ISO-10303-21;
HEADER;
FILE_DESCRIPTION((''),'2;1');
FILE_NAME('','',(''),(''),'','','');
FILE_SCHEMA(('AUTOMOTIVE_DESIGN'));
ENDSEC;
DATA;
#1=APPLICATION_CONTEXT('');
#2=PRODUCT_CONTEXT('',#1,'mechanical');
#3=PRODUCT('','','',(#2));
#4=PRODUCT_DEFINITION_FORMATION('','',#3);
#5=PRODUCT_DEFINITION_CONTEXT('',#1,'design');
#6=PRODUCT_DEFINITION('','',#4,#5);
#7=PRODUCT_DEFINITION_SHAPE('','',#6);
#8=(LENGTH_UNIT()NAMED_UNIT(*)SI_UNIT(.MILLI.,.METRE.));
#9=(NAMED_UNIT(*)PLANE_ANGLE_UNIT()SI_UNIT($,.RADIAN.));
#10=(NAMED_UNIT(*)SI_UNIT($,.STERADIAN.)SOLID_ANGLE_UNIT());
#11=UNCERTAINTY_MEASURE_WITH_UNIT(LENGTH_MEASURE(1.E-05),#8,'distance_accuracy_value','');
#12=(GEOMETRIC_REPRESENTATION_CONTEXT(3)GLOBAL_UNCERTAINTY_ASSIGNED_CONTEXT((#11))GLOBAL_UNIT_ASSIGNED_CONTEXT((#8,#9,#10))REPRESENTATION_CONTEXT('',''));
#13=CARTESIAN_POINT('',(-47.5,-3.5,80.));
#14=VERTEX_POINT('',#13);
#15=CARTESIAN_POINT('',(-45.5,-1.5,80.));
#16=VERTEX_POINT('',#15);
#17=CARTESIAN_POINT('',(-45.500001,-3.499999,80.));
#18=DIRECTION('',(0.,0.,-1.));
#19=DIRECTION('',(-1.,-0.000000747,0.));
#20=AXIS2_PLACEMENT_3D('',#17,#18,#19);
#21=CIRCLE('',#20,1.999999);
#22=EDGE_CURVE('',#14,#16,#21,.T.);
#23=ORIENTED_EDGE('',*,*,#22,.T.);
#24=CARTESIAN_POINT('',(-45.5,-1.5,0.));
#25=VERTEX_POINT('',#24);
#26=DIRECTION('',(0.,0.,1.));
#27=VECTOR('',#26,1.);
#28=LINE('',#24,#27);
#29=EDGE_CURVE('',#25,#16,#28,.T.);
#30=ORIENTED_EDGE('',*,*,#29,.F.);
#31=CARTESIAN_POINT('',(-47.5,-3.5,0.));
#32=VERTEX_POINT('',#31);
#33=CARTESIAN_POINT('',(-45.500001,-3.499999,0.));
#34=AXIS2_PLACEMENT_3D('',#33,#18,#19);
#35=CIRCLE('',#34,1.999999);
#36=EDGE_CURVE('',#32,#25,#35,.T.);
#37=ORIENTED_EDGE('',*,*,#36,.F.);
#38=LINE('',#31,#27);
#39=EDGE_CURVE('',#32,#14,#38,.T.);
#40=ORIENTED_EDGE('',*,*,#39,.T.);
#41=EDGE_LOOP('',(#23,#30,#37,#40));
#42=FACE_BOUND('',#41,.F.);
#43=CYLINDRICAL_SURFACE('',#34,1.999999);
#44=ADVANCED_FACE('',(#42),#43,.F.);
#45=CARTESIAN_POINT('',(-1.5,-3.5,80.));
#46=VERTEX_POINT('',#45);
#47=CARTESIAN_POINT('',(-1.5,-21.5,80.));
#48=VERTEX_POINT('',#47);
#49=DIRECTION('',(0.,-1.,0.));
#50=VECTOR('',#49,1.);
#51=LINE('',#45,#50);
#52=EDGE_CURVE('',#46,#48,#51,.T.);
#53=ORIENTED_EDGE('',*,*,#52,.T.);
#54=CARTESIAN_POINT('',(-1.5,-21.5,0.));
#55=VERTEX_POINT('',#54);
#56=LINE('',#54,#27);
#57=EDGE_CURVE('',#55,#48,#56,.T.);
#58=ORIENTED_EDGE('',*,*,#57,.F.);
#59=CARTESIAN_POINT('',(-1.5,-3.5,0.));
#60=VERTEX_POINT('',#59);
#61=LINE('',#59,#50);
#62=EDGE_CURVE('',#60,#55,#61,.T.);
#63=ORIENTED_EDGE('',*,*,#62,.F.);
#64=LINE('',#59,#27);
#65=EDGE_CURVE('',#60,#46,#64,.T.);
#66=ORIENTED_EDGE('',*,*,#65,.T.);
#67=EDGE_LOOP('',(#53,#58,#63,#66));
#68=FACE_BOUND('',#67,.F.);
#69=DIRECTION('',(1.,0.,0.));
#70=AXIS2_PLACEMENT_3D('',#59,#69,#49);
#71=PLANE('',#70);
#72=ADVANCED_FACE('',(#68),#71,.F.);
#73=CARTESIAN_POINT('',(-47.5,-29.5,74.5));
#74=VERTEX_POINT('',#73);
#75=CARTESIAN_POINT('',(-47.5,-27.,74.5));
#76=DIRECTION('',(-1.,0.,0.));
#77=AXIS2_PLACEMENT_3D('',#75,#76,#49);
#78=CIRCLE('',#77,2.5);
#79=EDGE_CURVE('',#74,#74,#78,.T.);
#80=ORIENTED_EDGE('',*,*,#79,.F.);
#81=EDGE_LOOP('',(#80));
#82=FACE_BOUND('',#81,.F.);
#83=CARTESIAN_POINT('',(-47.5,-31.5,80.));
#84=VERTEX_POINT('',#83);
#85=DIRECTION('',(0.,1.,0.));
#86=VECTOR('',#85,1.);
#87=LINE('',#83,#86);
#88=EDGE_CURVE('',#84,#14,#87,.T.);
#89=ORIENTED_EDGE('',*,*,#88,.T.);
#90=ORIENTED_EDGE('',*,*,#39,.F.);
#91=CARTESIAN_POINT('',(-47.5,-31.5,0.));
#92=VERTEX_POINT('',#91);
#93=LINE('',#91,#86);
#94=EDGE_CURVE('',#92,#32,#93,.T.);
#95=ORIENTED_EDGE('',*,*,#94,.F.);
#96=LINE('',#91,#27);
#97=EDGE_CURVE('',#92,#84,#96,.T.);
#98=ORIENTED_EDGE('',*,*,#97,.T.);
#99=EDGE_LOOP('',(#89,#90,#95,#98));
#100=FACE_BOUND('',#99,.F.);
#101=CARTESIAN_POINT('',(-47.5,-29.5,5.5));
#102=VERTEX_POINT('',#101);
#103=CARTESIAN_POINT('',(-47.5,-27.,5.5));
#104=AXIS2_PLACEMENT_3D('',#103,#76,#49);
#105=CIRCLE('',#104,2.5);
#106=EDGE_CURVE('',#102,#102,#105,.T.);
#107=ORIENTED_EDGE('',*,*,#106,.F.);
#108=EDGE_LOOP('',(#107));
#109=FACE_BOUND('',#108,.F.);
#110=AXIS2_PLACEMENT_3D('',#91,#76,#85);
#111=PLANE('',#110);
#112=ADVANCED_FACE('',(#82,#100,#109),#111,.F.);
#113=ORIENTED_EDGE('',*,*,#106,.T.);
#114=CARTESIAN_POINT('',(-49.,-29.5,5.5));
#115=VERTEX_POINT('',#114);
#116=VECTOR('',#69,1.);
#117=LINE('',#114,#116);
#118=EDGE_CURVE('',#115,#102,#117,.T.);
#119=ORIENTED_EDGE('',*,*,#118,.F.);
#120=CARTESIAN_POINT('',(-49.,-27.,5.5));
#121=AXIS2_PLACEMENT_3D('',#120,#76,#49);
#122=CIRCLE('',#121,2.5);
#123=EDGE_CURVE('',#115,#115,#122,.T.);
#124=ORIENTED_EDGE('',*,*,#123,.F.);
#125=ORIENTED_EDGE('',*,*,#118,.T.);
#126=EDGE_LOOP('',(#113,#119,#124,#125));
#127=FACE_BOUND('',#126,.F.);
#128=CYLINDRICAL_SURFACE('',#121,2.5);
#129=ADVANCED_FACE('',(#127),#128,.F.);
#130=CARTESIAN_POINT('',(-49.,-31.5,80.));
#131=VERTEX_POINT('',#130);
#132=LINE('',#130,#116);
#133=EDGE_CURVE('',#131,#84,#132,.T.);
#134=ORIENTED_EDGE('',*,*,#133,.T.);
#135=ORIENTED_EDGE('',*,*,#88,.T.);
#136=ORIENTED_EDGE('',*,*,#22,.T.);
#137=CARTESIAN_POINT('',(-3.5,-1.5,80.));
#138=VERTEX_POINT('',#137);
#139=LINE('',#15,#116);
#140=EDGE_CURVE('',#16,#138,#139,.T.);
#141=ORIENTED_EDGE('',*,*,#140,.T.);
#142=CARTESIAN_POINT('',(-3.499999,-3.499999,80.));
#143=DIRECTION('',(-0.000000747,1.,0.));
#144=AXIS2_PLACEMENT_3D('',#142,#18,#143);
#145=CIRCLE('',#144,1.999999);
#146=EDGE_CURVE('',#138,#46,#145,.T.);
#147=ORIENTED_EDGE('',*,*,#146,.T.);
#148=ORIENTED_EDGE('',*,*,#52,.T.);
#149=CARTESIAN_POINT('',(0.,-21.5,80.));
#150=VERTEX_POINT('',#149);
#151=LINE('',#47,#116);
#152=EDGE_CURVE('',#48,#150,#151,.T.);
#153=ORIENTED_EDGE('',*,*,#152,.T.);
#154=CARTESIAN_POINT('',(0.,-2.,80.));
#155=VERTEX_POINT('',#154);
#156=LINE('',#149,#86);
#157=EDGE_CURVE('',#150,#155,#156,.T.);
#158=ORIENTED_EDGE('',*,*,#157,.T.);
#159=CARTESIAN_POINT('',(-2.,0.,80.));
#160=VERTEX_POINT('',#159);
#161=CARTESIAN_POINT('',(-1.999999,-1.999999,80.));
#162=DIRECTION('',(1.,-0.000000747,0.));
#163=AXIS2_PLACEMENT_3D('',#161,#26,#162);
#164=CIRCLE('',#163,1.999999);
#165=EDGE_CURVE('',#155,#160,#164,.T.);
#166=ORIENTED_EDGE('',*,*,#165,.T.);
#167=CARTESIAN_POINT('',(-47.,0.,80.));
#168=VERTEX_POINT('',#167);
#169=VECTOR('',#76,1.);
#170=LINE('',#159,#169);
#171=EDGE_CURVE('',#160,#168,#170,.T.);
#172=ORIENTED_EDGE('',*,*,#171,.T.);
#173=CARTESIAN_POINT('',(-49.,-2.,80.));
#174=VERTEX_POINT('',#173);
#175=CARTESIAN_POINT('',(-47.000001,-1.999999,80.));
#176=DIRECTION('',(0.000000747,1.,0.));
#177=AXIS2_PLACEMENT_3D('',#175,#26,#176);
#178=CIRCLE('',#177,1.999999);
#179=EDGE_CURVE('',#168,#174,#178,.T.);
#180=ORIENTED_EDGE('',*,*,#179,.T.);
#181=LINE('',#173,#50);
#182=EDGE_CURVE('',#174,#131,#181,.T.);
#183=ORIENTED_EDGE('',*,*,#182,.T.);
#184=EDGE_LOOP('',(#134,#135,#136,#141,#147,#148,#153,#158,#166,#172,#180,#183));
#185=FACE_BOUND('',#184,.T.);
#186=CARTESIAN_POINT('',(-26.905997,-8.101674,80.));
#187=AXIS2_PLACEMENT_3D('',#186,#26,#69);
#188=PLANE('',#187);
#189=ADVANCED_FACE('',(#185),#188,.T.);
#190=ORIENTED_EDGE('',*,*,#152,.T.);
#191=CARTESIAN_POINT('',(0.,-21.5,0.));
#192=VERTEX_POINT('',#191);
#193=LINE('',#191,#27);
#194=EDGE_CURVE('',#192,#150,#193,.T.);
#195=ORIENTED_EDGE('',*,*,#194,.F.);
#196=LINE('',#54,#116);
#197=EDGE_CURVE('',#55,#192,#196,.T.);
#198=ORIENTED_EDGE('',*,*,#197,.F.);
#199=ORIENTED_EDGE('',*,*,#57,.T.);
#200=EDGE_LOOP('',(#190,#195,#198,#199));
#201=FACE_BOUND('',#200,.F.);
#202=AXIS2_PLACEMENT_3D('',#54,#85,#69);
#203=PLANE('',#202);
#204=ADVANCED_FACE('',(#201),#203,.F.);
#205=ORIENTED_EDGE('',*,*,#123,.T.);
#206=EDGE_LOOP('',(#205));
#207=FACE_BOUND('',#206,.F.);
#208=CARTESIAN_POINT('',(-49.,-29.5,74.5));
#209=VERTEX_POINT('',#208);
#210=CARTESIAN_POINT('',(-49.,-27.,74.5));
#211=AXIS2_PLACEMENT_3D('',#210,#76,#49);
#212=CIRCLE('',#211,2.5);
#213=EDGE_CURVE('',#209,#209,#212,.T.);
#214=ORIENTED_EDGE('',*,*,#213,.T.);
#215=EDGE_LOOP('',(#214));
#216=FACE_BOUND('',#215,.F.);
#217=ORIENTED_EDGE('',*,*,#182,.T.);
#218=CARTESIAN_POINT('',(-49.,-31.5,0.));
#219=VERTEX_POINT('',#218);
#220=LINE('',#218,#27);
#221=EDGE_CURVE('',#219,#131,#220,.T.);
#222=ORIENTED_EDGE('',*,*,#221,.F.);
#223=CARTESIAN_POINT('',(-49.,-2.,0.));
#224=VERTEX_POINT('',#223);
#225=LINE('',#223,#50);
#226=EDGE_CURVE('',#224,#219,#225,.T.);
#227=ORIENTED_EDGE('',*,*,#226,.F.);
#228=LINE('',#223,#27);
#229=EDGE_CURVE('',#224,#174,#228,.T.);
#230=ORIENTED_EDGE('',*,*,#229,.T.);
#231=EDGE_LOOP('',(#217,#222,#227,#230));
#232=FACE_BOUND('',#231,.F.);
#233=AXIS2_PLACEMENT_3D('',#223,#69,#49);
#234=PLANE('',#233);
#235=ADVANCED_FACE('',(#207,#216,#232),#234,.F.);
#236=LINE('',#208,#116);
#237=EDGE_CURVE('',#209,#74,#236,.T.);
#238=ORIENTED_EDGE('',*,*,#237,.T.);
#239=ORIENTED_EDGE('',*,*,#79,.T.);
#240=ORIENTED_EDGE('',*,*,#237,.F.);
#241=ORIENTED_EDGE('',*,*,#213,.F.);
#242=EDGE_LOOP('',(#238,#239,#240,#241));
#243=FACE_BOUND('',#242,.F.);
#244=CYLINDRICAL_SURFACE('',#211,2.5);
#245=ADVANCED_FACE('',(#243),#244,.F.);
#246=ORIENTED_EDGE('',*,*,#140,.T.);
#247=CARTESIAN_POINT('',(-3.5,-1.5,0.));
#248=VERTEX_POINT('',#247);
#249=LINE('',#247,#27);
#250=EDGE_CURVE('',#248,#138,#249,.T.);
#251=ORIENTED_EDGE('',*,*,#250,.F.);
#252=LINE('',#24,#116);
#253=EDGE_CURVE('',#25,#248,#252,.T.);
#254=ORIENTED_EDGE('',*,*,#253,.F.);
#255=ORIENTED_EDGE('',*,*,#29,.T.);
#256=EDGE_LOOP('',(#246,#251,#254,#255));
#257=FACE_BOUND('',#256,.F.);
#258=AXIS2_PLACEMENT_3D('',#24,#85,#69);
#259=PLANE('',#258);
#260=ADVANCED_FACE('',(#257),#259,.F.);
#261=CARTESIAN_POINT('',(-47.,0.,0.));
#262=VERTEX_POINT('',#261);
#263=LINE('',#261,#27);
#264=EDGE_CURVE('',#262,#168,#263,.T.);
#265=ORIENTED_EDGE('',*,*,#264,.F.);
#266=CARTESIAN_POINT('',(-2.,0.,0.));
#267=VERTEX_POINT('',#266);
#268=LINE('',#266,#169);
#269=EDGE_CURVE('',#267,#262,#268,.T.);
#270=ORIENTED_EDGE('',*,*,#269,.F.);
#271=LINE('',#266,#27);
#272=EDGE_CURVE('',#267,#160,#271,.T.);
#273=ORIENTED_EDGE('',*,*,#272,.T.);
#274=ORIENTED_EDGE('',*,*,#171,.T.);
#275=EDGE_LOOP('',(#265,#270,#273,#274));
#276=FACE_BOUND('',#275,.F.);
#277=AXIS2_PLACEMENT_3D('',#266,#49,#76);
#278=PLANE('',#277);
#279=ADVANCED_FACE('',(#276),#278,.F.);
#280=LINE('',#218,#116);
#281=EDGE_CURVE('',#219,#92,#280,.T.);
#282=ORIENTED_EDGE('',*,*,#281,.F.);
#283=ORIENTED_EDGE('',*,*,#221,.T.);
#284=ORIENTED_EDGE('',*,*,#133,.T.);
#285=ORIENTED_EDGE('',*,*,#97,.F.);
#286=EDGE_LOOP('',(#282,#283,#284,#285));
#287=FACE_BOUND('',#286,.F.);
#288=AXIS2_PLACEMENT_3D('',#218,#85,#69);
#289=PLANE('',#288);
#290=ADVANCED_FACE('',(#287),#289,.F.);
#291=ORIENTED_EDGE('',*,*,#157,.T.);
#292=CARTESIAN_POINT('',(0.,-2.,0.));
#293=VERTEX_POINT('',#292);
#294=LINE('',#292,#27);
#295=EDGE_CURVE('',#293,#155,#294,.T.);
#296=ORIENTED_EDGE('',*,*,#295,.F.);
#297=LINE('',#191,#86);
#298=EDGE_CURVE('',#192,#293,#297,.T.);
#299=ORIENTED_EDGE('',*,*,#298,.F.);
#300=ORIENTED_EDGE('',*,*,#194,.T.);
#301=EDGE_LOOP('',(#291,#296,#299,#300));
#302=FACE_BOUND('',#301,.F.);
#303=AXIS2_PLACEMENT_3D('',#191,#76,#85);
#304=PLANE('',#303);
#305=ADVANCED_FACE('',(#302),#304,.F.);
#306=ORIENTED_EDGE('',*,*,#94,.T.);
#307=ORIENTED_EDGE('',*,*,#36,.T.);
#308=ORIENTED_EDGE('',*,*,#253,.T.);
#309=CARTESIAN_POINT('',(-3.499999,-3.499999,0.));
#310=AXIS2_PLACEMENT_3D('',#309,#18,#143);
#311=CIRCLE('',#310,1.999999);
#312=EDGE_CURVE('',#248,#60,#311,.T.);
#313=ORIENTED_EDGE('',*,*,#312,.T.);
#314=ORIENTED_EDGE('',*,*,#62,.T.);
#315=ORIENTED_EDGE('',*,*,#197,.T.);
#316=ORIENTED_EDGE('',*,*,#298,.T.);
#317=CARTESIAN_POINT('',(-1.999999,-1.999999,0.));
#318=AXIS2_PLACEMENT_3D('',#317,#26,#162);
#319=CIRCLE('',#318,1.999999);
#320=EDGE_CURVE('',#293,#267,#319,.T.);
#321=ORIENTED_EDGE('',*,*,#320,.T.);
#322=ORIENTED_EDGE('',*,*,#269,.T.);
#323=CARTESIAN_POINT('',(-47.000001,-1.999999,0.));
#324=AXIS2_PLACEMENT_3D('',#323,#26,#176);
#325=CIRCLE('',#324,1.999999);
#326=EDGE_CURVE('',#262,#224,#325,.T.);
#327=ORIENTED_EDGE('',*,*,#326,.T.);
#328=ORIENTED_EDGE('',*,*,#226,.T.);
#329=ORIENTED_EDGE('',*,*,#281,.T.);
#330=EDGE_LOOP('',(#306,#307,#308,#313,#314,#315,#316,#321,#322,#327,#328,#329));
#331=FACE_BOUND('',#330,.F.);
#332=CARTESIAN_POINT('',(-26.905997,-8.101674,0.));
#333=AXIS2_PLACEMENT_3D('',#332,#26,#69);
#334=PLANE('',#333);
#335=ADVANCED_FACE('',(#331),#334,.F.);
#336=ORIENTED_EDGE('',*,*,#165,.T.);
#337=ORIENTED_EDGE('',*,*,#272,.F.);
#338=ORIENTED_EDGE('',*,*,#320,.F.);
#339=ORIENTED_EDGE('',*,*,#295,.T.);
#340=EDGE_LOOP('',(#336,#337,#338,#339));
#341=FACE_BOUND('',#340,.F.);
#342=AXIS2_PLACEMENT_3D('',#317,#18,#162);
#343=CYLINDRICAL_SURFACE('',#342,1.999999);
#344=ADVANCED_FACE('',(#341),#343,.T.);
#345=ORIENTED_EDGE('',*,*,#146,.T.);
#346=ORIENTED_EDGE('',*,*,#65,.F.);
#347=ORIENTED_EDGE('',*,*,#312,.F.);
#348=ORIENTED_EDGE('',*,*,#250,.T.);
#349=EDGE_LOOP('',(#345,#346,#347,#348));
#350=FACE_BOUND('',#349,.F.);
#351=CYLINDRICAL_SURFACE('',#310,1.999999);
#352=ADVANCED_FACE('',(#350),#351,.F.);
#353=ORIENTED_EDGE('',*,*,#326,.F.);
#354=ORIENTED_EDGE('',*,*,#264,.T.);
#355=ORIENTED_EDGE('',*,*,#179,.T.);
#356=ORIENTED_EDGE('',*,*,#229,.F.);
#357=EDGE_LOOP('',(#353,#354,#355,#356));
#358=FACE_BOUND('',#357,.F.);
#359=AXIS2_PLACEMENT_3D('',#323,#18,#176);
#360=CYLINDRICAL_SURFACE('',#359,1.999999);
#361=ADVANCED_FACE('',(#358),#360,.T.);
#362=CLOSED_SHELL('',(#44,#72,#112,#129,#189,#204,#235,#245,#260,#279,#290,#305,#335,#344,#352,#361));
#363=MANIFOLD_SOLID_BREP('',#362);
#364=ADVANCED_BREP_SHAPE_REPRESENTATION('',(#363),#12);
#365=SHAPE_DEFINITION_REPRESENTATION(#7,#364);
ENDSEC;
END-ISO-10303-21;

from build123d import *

# Parameters (mm, degrees)
F1_DEPTH = 80
F2_R     = 2.5
F3_DEPTH = 1.5


with BuildPart() as f1:
    # F0 (on Top) → F1 (new body)
    with BuildSketch(Plane.XY):
        with BuildLine():
            ThreePointArc((0, -2), (-0.585786, -0.585786), (-2, 0))
            Line((-2, 0), (-47, 0))
            ThreePointArc((-47, 0), (-48.414214, -0.585786), (-49, -2))
            Line((-49, -2), (-49, -31.5))
            Line((-49, -31.5), (-47.5, -31.5))
            Line((-47.5, -31.5), (-47.5, -3.5))
            ThreePointArc((-47.5, -3.5), (-46.914214, -2.085786), (-45.5, -1.5))
            Line((-45.5, -1.5), (-3.5, -1.5))
            ThreePointArc((-3.5, -1.5), (-2.085786, -2.085786), (-1.5, -3.5))
            Line((-1.5, -3.5), (-1.5, -21.5))
            Line((-1.5, -21.5), (0, -21.5))
            Line((0, -21.5), (0, -2))
        make_face()
    extrude(amount=F1_DEPTH)

    # F2 (on face) → F3 (cut, through all)
    with BuildSketch(Plane(origin=(-49, 0, 0), x_dir=(0, -1, 0), z_dir=(-1, 0, 0))):
        with Locations((27, 5.5)):
            Circle(F2_R)
        with Locations((27, 74.5)):
            Circle(F2_R)
    extrude(amount=-F3_DEPTH, mode=Mode.SUBTRACT)


solid = f1.part
